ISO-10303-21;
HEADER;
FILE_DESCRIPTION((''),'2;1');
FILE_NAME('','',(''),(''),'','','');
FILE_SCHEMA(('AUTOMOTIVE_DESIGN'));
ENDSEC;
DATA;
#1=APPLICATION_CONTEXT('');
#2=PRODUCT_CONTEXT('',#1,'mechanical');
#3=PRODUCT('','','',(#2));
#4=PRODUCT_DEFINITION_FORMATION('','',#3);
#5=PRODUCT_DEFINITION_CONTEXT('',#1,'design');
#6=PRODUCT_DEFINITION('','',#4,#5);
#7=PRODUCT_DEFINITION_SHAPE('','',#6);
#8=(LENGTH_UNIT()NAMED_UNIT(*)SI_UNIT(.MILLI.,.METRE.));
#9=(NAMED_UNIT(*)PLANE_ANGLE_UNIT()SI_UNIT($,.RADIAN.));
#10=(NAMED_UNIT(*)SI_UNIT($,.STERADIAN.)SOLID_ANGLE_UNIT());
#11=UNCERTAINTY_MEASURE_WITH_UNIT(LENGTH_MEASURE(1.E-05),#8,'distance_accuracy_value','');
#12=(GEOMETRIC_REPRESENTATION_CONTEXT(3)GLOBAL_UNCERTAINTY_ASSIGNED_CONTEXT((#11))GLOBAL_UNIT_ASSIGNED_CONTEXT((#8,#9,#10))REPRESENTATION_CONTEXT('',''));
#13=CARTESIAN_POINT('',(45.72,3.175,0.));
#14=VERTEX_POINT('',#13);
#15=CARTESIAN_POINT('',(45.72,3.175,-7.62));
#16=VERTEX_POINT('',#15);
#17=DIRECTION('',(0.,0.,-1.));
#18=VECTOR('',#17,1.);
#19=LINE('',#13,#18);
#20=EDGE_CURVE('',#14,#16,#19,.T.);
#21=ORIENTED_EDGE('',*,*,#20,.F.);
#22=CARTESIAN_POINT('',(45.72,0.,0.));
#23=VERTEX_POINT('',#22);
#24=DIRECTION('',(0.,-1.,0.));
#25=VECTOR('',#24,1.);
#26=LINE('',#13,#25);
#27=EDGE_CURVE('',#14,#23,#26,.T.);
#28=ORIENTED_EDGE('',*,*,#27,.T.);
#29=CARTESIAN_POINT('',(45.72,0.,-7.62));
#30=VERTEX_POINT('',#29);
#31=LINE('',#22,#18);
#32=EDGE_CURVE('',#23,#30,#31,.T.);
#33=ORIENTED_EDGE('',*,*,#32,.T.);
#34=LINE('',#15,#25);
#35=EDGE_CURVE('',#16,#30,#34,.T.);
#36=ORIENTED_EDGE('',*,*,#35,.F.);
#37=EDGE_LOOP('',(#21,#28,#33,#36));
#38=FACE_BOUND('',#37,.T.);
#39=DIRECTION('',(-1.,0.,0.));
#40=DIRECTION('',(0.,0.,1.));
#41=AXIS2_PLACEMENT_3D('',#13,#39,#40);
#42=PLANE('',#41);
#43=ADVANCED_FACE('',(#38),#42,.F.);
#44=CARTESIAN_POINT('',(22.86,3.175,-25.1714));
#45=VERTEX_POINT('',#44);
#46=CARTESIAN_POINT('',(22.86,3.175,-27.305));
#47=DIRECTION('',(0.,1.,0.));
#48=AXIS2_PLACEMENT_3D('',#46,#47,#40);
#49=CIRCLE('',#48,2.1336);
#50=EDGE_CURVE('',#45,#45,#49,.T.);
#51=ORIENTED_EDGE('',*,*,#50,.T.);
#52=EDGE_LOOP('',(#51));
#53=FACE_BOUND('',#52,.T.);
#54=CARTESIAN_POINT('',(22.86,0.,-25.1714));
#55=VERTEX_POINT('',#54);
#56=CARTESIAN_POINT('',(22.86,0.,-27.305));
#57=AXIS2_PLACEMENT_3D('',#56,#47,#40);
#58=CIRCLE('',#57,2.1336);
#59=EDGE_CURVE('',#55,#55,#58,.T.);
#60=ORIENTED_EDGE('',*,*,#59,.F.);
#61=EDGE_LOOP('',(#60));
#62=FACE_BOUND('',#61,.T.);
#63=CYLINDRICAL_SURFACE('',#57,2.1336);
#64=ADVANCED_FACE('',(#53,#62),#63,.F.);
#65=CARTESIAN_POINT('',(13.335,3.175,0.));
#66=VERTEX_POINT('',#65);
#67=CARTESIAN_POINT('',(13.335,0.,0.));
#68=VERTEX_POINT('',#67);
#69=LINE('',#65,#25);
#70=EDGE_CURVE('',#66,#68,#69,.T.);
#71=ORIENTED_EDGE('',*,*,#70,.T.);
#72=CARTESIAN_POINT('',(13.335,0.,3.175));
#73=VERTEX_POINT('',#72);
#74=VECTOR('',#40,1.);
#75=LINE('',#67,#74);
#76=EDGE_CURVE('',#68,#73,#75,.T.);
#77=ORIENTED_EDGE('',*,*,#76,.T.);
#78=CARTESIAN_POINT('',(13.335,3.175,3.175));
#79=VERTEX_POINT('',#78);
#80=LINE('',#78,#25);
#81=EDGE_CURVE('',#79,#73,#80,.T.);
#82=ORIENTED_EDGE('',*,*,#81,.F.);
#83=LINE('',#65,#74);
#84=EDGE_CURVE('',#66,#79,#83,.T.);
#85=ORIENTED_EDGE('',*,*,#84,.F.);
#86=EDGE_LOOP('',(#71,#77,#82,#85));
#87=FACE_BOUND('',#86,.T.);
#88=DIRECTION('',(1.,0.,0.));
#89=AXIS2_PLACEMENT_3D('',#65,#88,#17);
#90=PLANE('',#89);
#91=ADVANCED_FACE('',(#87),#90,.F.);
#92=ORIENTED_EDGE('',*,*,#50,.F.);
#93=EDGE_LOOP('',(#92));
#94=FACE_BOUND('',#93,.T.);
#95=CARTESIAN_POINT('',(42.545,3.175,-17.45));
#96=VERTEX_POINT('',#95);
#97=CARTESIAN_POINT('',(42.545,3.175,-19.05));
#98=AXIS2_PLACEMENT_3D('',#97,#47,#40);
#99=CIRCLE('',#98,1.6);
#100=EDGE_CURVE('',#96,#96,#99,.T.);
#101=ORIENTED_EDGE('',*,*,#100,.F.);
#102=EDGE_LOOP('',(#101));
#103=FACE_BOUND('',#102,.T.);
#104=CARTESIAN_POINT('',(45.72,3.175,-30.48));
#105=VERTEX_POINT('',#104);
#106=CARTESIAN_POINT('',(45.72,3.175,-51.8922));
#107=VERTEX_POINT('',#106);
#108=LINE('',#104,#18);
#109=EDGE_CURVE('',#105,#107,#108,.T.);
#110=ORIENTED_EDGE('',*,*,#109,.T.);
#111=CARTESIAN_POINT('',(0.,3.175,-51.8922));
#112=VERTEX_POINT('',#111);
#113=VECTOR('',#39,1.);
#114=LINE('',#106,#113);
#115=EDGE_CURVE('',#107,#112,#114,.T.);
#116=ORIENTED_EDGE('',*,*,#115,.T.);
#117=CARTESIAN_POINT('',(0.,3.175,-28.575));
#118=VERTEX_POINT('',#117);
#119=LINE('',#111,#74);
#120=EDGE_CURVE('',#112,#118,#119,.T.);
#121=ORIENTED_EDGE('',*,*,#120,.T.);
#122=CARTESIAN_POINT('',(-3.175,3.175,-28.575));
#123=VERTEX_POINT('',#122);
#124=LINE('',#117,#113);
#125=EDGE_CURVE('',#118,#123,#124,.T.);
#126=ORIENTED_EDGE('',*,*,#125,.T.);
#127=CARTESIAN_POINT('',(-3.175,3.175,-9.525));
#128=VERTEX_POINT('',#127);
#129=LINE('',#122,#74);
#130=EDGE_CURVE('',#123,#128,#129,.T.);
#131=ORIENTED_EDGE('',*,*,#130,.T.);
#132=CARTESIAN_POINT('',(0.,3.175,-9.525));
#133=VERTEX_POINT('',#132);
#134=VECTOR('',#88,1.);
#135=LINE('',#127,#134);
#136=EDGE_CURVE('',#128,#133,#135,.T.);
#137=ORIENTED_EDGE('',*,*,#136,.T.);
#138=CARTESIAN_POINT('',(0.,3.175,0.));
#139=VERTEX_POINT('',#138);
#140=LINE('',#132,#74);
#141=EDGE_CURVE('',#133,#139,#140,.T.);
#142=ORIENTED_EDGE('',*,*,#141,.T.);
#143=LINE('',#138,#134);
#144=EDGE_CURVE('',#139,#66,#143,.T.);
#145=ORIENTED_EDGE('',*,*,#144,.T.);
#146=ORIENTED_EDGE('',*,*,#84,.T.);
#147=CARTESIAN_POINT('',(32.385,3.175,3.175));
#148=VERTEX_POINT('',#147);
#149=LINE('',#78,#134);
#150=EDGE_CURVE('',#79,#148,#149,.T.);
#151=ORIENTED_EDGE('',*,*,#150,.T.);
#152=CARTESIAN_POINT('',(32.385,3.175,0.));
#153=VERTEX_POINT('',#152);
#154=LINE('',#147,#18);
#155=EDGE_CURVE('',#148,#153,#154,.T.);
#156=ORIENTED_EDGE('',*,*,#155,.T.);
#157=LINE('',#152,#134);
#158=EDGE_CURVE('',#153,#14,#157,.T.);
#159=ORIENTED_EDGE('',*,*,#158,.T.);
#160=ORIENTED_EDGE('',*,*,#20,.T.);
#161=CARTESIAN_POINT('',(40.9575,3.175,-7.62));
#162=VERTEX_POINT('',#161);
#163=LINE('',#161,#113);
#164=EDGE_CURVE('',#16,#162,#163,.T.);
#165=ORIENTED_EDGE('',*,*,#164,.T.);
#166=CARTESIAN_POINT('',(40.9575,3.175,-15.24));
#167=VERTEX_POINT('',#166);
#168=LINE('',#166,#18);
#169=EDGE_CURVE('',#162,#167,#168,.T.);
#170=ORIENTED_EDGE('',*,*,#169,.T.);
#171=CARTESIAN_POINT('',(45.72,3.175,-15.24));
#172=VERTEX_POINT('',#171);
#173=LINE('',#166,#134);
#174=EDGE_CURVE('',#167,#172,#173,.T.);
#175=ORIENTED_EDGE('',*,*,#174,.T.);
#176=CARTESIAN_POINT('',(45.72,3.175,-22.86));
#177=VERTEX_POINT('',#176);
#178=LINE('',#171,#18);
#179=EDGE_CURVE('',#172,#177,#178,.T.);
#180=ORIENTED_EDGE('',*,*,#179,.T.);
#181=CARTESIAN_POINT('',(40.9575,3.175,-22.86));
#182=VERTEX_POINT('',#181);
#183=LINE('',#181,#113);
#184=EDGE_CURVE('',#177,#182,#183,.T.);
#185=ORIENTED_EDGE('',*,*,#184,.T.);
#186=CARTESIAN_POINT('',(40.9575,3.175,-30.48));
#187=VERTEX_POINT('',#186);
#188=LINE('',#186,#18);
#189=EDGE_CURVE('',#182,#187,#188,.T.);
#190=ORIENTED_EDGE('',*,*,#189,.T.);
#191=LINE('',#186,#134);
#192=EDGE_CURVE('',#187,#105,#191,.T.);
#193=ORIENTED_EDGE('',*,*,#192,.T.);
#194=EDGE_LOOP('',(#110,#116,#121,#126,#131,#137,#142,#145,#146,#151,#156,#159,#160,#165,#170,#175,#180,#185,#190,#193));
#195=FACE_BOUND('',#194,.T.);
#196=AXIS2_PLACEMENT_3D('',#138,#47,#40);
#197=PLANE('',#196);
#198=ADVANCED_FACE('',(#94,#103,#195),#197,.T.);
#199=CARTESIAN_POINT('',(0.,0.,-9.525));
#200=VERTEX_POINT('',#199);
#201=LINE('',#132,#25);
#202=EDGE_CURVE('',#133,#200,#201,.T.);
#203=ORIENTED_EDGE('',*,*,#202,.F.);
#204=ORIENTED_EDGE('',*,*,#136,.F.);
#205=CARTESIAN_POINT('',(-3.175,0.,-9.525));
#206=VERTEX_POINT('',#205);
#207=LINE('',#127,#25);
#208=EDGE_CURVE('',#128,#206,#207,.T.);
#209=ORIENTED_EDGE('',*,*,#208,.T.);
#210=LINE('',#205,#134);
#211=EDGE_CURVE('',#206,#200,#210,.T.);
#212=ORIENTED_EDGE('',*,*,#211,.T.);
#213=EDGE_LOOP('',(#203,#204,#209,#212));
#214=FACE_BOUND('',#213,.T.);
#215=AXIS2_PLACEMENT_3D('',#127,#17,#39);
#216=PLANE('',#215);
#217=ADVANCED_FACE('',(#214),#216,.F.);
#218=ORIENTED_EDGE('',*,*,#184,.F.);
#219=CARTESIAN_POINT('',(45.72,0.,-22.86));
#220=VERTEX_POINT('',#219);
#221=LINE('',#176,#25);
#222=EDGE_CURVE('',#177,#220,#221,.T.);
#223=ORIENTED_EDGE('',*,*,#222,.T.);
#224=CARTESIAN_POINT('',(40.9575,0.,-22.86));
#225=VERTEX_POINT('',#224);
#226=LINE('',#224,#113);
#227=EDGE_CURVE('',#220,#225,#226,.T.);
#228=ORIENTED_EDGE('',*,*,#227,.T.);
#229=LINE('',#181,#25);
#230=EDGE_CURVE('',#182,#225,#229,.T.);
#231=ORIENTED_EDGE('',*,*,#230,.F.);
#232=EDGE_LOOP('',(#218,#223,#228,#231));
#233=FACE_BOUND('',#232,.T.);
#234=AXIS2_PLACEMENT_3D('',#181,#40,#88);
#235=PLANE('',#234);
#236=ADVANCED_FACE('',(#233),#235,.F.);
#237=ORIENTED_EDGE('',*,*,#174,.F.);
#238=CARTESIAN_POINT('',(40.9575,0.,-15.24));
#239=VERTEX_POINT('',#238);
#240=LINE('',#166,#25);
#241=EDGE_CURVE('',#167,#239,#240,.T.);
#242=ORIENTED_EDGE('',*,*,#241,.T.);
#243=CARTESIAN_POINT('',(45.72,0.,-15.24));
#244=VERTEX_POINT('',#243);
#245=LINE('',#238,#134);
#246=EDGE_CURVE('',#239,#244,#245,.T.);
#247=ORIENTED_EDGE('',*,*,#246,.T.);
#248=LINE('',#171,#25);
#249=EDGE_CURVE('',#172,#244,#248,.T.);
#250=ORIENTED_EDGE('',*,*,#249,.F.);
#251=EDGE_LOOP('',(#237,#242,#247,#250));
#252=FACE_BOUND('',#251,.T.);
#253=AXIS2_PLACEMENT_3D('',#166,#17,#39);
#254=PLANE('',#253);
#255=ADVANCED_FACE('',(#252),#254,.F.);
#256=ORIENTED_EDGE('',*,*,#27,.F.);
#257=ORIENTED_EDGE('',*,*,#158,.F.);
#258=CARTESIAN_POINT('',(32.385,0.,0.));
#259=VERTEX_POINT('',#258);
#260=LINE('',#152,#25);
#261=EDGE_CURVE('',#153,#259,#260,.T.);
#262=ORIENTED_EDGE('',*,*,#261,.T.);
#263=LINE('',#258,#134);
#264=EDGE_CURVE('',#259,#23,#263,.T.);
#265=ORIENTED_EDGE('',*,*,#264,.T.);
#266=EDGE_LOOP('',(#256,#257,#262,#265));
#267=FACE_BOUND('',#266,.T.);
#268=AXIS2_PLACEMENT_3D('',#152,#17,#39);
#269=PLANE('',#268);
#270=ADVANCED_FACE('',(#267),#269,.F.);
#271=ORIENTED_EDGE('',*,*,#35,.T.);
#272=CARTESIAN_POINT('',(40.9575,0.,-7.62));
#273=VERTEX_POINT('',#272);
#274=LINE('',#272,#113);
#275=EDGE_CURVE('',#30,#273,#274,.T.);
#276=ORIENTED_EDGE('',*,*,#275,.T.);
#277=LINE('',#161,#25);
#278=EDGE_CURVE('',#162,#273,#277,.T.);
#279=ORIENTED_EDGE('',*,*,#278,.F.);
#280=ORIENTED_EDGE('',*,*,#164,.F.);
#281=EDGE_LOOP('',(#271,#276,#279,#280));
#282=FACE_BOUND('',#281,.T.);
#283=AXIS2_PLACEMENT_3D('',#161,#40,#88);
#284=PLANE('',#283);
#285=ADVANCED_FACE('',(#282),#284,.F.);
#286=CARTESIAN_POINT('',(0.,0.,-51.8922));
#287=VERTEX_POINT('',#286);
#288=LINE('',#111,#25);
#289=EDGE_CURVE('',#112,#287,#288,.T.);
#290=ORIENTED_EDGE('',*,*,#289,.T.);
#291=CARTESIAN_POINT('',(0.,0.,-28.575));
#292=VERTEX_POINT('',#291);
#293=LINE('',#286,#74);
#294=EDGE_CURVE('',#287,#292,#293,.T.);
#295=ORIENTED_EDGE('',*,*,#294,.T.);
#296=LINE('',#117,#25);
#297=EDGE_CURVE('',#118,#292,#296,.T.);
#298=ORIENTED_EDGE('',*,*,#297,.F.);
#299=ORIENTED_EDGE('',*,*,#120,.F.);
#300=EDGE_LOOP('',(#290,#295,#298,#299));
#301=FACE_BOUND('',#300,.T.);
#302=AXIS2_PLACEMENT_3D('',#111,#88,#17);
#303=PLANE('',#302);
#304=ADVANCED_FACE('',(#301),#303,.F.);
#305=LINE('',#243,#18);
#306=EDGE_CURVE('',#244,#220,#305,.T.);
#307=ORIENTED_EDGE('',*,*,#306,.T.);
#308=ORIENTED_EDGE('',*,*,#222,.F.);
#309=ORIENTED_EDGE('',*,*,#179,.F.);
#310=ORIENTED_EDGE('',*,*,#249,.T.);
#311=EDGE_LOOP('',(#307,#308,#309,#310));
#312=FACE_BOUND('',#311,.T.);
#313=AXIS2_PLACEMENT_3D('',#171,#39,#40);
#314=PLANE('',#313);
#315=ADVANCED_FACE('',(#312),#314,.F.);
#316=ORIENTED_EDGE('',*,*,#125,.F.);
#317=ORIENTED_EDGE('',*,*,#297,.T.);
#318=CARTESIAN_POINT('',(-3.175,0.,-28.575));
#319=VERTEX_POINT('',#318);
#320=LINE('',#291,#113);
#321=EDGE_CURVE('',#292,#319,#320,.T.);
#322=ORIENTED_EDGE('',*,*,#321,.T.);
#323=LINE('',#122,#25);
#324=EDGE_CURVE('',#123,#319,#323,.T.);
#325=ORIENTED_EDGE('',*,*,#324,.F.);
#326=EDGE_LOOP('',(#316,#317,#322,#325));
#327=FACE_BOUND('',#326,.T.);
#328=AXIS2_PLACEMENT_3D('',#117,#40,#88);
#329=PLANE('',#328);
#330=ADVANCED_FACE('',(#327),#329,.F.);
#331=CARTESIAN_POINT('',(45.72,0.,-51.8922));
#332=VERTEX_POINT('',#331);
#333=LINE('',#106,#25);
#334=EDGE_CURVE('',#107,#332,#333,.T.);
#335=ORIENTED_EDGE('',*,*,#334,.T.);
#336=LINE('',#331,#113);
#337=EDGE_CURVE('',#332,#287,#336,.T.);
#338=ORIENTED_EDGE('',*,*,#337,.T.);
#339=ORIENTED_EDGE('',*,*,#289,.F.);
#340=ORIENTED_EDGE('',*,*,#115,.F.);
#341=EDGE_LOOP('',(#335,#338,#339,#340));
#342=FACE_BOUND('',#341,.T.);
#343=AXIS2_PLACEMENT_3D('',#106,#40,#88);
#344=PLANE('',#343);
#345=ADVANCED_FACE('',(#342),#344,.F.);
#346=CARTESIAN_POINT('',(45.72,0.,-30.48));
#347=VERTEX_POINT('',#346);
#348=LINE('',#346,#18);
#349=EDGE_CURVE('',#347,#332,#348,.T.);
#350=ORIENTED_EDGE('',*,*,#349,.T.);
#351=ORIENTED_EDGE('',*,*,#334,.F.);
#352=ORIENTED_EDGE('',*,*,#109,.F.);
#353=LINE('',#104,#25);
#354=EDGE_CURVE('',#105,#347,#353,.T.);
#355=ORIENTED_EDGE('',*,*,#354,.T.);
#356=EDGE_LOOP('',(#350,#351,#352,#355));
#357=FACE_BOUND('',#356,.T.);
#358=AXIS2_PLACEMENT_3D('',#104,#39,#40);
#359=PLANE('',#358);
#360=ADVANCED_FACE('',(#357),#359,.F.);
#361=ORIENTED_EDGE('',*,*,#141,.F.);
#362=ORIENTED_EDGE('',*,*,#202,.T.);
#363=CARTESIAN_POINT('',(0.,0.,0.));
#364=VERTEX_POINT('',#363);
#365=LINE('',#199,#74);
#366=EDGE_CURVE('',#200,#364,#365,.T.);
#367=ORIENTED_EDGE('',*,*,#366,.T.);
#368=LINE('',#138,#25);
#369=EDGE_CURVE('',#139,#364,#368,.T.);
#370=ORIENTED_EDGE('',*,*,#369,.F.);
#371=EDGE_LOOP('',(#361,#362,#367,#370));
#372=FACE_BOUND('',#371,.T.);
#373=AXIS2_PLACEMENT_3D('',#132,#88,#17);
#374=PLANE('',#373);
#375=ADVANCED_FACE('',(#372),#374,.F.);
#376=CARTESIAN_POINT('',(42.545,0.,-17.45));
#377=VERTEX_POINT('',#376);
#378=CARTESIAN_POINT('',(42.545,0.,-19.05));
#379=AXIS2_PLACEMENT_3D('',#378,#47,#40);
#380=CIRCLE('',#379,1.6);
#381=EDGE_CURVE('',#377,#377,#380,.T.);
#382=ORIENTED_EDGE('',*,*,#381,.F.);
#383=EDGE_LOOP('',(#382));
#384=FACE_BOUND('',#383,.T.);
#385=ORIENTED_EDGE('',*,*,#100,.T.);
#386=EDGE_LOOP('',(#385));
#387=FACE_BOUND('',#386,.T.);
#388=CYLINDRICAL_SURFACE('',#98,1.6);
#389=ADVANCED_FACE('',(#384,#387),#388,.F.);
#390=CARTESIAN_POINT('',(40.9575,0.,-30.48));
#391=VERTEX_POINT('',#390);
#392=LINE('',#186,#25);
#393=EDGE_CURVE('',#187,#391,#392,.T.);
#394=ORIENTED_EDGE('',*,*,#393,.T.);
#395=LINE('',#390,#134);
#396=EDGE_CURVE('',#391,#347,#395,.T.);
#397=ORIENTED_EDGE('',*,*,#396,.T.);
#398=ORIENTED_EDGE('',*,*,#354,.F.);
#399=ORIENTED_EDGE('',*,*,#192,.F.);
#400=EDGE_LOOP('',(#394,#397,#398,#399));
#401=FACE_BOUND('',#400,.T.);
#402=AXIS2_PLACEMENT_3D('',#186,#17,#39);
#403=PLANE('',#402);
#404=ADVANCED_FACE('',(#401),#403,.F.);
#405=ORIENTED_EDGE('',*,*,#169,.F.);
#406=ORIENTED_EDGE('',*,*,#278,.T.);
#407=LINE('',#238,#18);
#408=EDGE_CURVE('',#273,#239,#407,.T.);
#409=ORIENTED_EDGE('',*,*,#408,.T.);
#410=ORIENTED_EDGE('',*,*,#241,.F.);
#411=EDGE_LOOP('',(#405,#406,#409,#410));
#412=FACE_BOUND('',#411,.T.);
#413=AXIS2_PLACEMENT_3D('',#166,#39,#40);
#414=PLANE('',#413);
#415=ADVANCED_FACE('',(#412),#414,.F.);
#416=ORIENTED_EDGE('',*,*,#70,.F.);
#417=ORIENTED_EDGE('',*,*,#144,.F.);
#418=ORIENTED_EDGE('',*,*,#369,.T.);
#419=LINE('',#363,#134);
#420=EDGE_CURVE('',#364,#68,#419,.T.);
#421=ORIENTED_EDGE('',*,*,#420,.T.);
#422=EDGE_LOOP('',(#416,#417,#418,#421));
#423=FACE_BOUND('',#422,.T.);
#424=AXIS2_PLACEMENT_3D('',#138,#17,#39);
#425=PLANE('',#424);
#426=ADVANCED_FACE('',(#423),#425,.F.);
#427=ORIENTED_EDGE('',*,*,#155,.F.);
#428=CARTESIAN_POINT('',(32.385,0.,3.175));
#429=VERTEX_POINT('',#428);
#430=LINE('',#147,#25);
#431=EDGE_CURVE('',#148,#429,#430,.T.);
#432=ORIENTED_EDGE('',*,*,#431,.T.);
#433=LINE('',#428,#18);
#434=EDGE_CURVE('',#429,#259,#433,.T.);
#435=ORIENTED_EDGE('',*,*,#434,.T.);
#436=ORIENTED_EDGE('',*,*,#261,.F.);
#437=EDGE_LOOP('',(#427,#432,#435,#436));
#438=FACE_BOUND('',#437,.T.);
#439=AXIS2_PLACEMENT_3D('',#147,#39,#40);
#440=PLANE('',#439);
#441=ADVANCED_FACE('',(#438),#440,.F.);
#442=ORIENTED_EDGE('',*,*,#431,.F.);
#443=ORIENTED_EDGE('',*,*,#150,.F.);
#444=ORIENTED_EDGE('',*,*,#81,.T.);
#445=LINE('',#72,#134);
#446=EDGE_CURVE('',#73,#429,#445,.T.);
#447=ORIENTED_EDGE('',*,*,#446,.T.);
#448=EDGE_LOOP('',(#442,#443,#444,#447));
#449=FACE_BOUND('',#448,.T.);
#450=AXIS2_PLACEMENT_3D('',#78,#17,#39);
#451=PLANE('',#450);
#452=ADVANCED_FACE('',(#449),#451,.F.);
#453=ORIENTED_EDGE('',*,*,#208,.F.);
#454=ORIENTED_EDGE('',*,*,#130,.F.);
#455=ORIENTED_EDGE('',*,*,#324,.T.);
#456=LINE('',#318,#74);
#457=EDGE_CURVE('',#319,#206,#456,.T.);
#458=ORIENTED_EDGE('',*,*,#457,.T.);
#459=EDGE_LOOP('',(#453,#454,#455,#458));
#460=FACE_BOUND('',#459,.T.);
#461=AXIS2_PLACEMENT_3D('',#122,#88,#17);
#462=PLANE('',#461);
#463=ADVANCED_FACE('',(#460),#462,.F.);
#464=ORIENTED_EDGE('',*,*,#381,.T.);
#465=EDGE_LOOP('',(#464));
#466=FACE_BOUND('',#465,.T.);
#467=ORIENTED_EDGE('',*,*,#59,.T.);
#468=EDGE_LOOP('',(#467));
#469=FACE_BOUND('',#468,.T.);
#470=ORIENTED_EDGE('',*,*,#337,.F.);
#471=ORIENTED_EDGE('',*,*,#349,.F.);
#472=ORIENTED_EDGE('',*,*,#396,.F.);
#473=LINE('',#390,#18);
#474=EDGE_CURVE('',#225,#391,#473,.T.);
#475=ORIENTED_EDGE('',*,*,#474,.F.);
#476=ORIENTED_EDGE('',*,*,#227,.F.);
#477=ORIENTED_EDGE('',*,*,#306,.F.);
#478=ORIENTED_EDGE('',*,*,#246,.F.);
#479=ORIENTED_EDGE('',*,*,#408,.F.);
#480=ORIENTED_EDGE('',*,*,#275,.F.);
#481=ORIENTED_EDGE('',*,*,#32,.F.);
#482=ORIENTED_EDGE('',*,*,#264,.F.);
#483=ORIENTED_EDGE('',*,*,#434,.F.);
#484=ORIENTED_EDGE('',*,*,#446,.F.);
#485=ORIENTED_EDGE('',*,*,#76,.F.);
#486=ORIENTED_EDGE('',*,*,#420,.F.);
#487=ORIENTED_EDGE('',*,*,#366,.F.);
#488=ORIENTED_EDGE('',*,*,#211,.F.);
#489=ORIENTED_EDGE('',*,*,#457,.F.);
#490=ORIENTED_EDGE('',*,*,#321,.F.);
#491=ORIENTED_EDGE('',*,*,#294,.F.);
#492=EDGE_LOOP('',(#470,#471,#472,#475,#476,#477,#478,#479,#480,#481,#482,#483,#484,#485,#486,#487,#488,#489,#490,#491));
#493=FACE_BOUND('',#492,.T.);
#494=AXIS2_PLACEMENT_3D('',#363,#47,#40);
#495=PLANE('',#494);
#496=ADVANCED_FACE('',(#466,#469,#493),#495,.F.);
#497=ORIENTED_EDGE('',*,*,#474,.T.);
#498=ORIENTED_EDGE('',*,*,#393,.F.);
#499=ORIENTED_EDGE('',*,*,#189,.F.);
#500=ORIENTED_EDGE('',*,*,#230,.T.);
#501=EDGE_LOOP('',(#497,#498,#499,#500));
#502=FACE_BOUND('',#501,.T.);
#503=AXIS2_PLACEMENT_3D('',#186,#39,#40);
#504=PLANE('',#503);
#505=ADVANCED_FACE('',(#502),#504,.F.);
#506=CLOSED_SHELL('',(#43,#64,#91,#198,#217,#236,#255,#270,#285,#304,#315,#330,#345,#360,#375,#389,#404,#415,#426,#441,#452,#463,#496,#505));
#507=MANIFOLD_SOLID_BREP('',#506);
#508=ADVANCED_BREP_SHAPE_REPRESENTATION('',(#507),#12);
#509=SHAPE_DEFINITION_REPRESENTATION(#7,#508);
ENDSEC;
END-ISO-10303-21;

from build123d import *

# Parameters (mm, degrees)
BOSS_EXTRUDE1_DEPTH  = 3.175
M3_CLEARANCE_HOLE1_D = 3.2
SKETCH4_R            = 2.1336
CUT_EXTRUDE1_DEPTH   = 70.232936135


with BuildPart() as part:
    # Sketch1 → Boss-Extrude1 (new body)
    with BuildSketch(Plane(origin=(0, 0, 0), x_dir=(1, 0, 0), z_dir=(0, 1, 0))):
        Polygon((0, 0), (13.335, 0), (13.335, -3.175), (32.385, -3.175), (32.385, 0), (45.72, 0), (45.72, 7.62), (40.9575, 7.62), (40.9575, 15.24), (45.72, 15.24), (45.72, 22.86), (40.9575, 22.86), (40.9575, 30.48), (45.72, 30.48), (45.72, 51.8922), (0, 51.8922), (0, 28.575), (-3.175, 28.575), (-3.175, 9.525), (0, 9.525), align=None)
    extrude(amount=BOSS_EXTRUDE1_DEPTH)

    # M3 Clearance Hole1 (through all)
    with Locations(Plane(origin=(0, 3.175, 0), x_dir=(1, 0, 0), z_dir=(0, 1, 0))):
        with Locations((42.545, 19.05)):
            Hole(M3_CLEARANCE_HOLE1_D / 2)

    # Sketch4 → Cut-Extrude1 (cut, through all)
    with BuildSketch(Plane(origin=(0, 3.175, 0), x_dir=(1, 0, 0), z_dir=(0, 1, 0))):
        with Locations(Location((22.86, 27.305, 0), (0, 0, 270))):
            Circle(SKETCH4_R)
    extrude(amount=-CUT_EXTRUDE1_DEPTH, mode=Mode.SUBTRACT)


solid = part.part
